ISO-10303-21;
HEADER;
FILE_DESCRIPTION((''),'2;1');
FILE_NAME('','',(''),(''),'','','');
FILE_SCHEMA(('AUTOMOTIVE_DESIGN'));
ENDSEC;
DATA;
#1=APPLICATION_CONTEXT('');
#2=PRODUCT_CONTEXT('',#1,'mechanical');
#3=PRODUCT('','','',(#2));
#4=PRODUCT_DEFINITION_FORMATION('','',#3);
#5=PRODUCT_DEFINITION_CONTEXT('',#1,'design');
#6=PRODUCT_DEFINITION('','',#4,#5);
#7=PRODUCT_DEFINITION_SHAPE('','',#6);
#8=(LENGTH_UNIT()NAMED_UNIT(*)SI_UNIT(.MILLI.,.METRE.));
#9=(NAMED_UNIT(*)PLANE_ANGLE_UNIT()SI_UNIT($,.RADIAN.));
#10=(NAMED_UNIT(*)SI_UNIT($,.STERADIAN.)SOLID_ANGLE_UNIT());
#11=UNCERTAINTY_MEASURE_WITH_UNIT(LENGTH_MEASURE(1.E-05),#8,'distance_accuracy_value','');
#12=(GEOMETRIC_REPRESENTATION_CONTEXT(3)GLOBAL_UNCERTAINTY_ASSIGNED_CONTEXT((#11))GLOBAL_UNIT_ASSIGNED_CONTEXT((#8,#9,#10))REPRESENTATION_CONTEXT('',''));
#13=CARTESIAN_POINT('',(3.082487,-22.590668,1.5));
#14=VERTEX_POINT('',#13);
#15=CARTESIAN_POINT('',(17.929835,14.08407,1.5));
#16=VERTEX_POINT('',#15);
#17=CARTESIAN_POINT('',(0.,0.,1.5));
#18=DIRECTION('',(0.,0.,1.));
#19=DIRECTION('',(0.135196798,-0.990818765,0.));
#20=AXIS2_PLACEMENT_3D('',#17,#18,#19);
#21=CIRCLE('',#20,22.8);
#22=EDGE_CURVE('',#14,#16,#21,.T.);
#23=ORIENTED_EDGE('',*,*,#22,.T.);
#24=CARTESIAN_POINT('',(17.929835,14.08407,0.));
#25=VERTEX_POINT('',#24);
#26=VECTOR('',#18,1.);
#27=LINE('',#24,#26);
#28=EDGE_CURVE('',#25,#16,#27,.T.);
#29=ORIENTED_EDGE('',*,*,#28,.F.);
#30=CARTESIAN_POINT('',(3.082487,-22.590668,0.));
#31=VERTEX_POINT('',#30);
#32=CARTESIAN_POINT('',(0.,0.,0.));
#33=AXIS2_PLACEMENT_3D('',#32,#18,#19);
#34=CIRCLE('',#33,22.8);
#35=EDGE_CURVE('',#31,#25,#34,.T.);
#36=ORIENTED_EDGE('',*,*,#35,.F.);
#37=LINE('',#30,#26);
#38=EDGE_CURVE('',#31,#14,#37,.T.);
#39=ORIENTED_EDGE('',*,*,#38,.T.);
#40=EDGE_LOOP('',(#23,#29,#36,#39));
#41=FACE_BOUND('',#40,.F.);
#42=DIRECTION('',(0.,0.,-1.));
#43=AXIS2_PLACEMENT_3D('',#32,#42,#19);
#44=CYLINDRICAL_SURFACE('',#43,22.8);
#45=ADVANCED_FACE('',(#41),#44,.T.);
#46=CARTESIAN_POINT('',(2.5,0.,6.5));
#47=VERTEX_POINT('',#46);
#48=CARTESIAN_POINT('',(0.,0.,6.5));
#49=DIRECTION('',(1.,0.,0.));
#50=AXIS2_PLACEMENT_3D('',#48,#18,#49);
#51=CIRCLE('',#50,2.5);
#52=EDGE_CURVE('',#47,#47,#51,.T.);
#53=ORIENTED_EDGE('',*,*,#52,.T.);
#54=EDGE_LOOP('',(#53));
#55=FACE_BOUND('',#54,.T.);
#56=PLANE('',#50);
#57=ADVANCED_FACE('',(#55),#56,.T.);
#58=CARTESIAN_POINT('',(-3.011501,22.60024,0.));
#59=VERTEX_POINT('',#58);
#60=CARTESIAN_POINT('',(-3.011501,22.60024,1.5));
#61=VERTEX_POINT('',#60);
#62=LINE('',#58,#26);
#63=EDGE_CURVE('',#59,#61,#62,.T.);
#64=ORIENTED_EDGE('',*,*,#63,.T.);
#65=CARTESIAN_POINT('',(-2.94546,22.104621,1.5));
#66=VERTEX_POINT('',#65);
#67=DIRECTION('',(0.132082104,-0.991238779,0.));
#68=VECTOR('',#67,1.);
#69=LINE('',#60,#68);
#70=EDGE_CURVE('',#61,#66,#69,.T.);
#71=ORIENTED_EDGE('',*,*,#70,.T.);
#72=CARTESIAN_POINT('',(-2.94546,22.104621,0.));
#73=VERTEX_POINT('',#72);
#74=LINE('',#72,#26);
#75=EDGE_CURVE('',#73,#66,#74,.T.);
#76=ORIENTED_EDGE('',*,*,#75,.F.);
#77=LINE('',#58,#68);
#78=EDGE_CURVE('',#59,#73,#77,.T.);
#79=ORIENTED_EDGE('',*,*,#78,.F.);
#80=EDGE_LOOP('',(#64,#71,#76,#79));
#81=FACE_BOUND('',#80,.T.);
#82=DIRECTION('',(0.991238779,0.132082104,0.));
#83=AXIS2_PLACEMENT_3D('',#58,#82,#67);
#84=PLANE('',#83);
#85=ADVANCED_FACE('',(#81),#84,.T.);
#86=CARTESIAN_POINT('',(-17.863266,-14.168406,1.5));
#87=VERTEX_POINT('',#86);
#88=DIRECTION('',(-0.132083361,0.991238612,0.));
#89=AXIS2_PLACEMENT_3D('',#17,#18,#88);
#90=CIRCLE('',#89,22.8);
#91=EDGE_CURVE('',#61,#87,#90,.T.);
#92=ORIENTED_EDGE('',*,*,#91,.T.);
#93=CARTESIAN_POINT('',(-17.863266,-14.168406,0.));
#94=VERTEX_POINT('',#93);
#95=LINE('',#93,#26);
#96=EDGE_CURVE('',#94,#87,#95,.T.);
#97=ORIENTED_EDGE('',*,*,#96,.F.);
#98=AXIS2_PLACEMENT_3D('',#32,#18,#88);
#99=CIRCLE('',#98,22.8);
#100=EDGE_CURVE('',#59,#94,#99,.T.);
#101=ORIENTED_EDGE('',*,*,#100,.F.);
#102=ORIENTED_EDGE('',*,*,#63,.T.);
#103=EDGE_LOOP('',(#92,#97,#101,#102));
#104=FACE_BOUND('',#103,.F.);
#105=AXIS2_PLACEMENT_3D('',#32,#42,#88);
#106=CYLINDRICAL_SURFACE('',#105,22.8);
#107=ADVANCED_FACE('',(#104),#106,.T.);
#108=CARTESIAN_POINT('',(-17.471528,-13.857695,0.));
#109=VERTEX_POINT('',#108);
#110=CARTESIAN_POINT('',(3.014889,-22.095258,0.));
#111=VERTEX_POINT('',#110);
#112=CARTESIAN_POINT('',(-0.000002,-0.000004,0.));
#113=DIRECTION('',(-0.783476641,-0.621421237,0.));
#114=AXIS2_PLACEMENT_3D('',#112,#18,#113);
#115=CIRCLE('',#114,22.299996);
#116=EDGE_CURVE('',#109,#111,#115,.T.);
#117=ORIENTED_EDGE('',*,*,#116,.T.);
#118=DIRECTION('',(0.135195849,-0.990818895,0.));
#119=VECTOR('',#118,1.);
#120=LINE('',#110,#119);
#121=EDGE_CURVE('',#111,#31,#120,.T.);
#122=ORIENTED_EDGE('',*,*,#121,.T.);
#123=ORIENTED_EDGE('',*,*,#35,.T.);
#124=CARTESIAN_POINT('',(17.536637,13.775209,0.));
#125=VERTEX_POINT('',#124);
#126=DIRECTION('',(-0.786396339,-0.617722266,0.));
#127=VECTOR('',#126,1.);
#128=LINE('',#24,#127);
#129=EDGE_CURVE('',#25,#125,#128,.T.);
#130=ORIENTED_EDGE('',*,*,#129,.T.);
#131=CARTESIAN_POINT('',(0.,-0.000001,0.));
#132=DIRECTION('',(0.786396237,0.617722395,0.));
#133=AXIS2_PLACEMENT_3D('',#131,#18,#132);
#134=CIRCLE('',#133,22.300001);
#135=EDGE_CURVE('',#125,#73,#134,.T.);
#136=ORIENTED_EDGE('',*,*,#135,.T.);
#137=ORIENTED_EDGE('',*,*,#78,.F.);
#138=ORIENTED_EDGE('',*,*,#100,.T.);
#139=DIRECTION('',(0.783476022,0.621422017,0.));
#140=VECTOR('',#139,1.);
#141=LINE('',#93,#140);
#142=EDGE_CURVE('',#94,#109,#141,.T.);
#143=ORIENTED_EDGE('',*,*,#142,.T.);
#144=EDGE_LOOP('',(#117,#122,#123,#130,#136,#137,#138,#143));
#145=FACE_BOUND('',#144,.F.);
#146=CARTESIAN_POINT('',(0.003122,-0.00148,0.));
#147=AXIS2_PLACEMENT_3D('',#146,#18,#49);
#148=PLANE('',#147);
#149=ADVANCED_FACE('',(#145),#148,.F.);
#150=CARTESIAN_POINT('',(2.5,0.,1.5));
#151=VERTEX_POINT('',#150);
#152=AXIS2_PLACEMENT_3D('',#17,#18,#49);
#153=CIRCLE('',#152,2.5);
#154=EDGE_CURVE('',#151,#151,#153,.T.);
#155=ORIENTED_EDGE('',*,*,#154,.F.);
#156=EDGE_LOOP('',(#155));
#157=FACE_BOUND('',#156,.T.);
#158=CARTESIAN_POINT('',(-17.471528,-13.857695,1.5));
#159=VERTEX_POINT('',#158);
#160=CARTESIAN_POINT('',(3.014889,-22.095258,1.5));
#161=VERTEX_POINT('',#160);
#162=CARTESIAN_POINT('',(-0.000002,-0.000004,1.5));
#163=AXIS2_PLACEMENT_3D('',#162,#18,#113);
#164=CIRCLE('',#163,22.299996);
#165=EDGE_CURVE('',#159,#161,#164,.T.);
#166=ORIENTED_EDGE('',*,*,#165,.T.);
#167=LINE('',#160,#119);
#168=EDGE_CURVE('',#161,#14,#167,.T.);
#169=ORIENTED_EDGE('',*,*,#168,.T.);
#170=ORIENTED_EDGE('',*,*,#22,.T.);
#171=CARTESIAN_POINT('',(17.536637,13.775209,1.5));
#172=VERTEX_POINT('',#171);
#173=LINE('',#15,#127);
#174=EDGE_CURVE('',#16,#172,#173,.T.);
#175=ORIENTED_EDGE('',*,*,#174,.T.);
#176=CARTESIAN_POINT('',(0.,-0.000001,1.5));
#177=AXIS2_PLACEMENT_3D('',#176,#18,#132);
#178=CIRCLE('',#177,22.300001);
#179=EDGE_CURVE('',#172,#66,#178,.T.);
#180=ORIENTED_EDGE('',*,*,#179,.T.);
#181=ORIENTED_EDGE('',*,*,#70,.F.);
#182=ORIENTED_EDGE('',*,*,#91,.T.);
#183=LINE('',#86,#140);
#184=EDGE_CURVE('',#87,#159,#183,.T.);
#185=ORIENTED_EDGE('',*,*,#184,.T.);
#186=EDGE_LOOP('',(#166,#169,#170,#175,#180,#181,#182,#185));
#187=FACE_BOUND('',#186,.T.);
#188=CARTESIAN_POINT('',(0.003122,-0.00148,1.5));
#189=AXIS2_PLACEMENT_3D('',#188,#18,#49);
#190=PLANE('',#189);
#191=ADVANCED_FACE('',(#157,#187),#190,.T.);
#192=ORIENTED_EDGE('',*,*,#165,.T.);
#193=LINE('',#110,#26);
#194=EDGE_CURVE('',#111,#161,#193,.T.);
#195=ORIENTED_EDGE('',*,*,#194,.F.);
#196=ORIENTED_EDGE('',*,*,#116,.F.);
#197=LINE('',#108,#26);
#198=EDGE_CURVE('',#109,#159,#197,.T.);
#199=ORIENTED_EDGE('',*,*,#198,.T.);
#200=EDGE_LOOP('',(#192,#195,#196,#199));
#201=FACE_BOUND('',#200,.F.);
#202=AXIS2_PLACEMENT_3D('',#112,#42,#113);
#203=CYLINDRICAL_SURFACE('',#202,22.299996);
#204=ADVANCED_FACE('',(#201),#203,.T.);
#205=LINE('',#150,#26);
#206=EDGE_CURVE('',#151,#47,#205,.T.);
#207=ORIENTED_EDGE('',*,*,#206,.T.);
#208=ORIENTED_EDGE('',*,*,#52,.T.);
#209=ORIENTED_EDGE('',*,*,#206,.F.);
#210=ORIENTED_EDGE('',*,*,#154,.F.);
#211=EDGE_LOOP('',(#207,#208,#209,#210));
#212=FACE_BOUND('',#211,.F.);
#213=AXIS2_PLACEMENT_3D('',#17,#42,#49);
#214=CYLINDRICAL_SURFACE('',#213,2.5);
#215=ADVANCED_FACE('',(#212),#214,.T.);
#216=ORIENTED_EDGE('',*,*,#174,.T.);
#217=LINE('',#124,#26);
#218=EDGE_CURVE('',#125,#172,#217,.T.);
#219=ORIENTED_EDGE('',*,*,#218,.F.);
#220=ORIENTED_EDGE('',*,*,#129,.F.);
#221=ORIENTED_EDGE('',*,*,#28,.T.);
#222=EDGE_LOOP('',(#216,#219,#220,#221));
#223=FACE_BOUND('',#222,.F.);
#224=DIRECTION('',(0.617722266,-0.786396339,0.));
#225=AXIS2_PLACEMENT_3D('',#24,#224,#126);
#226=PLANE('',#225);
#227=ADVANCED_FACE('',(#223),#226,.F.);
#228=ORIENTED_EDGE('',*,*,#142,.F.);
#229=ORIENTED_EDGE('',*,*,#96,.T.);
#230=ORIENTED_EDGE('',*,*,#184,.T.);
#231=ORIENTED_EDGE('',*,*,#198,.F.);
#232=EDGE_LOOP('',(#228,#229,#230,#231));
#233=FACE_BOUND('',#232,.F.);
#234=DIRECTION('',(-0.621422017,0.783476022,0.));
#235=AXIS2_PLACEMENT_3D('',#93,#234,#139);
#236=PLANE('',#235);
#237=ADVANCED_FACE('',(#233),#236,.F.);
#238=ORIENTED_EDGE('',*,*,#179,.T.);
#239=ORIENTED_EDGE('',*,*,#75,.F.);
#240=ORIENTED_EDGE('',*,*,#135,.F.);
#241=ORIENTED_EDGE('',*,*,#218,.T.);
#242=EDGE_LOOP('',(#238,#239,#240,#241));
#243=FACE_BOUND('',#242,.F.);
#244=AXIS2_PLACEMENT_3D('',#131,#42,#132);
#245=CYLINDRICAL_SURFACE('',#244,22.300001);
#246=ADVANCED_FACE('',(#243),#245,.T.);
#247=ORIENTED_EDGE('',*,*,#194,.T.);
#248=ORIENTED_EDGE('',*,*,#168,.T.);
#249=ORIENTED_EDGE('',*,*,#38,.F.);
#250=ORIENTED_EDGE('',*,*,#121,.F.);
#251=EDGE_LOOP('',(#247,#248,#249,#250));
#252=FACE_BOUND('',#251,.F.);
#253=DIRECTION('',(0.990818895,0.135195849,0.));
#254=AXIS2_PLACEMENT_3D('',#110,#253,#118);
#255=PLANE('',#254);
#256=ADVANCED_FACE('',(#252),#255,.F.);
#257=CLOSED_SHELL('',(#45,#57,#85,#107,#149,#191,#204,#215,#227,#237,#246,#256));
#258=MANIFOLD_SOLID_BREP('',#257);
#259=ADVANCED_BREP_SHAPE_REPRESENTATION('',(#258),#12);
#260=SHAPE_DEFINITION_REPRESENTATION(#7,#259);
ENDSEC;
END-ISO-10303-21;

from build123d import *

# Parameters (mm, degrees)
PAD_DEPTH    = 1.5
SKETCH001_R  = 2.5
PAD001_DEPTH = 5


with BuildPart() as part:
    # Sketch → Pad (new body)
    with BuildSketch(Plane.XY):
        with BuildLine():
            Line((17.929835, 14.08407), (17.536637, 13.775209))
            ThreePointArc((17.536637, 13.775209), (8.400618, 20.657193), (-2.94546, 22.104621))
            Line((-3.011501, 22.60024), (-2.94546, 22.104621))
            ThreePointArc((-3.011501, 22.60024), (-21.140537, 8.539186), (-17.863266, -14.168406))
            Line((-17.863266, -14.168406), (-17.471528, -13.857695))
            ThreePointArc((-17.471528, -13.857695), (-8.319433, -20.690023), (3.014889, -22.095258))
            Line((3.014889, -22.095258), (3.082487, -22.590668))
            ThreePointArc((3.082487, -22.590668), (21.133824, -8.555787), (17.929835, 14.08407))
        make_face()
    extrude(amount=PAD_DEPTH)

    # Sketch001 (on Face10 of Pad) → Pad001 (join)
    with BuildSketch(Plane.XY.offset(1.5)):
        Circle(SKETCH001_R)
    extrude(amount=PAD001_DEPTH)


solid = part.part
